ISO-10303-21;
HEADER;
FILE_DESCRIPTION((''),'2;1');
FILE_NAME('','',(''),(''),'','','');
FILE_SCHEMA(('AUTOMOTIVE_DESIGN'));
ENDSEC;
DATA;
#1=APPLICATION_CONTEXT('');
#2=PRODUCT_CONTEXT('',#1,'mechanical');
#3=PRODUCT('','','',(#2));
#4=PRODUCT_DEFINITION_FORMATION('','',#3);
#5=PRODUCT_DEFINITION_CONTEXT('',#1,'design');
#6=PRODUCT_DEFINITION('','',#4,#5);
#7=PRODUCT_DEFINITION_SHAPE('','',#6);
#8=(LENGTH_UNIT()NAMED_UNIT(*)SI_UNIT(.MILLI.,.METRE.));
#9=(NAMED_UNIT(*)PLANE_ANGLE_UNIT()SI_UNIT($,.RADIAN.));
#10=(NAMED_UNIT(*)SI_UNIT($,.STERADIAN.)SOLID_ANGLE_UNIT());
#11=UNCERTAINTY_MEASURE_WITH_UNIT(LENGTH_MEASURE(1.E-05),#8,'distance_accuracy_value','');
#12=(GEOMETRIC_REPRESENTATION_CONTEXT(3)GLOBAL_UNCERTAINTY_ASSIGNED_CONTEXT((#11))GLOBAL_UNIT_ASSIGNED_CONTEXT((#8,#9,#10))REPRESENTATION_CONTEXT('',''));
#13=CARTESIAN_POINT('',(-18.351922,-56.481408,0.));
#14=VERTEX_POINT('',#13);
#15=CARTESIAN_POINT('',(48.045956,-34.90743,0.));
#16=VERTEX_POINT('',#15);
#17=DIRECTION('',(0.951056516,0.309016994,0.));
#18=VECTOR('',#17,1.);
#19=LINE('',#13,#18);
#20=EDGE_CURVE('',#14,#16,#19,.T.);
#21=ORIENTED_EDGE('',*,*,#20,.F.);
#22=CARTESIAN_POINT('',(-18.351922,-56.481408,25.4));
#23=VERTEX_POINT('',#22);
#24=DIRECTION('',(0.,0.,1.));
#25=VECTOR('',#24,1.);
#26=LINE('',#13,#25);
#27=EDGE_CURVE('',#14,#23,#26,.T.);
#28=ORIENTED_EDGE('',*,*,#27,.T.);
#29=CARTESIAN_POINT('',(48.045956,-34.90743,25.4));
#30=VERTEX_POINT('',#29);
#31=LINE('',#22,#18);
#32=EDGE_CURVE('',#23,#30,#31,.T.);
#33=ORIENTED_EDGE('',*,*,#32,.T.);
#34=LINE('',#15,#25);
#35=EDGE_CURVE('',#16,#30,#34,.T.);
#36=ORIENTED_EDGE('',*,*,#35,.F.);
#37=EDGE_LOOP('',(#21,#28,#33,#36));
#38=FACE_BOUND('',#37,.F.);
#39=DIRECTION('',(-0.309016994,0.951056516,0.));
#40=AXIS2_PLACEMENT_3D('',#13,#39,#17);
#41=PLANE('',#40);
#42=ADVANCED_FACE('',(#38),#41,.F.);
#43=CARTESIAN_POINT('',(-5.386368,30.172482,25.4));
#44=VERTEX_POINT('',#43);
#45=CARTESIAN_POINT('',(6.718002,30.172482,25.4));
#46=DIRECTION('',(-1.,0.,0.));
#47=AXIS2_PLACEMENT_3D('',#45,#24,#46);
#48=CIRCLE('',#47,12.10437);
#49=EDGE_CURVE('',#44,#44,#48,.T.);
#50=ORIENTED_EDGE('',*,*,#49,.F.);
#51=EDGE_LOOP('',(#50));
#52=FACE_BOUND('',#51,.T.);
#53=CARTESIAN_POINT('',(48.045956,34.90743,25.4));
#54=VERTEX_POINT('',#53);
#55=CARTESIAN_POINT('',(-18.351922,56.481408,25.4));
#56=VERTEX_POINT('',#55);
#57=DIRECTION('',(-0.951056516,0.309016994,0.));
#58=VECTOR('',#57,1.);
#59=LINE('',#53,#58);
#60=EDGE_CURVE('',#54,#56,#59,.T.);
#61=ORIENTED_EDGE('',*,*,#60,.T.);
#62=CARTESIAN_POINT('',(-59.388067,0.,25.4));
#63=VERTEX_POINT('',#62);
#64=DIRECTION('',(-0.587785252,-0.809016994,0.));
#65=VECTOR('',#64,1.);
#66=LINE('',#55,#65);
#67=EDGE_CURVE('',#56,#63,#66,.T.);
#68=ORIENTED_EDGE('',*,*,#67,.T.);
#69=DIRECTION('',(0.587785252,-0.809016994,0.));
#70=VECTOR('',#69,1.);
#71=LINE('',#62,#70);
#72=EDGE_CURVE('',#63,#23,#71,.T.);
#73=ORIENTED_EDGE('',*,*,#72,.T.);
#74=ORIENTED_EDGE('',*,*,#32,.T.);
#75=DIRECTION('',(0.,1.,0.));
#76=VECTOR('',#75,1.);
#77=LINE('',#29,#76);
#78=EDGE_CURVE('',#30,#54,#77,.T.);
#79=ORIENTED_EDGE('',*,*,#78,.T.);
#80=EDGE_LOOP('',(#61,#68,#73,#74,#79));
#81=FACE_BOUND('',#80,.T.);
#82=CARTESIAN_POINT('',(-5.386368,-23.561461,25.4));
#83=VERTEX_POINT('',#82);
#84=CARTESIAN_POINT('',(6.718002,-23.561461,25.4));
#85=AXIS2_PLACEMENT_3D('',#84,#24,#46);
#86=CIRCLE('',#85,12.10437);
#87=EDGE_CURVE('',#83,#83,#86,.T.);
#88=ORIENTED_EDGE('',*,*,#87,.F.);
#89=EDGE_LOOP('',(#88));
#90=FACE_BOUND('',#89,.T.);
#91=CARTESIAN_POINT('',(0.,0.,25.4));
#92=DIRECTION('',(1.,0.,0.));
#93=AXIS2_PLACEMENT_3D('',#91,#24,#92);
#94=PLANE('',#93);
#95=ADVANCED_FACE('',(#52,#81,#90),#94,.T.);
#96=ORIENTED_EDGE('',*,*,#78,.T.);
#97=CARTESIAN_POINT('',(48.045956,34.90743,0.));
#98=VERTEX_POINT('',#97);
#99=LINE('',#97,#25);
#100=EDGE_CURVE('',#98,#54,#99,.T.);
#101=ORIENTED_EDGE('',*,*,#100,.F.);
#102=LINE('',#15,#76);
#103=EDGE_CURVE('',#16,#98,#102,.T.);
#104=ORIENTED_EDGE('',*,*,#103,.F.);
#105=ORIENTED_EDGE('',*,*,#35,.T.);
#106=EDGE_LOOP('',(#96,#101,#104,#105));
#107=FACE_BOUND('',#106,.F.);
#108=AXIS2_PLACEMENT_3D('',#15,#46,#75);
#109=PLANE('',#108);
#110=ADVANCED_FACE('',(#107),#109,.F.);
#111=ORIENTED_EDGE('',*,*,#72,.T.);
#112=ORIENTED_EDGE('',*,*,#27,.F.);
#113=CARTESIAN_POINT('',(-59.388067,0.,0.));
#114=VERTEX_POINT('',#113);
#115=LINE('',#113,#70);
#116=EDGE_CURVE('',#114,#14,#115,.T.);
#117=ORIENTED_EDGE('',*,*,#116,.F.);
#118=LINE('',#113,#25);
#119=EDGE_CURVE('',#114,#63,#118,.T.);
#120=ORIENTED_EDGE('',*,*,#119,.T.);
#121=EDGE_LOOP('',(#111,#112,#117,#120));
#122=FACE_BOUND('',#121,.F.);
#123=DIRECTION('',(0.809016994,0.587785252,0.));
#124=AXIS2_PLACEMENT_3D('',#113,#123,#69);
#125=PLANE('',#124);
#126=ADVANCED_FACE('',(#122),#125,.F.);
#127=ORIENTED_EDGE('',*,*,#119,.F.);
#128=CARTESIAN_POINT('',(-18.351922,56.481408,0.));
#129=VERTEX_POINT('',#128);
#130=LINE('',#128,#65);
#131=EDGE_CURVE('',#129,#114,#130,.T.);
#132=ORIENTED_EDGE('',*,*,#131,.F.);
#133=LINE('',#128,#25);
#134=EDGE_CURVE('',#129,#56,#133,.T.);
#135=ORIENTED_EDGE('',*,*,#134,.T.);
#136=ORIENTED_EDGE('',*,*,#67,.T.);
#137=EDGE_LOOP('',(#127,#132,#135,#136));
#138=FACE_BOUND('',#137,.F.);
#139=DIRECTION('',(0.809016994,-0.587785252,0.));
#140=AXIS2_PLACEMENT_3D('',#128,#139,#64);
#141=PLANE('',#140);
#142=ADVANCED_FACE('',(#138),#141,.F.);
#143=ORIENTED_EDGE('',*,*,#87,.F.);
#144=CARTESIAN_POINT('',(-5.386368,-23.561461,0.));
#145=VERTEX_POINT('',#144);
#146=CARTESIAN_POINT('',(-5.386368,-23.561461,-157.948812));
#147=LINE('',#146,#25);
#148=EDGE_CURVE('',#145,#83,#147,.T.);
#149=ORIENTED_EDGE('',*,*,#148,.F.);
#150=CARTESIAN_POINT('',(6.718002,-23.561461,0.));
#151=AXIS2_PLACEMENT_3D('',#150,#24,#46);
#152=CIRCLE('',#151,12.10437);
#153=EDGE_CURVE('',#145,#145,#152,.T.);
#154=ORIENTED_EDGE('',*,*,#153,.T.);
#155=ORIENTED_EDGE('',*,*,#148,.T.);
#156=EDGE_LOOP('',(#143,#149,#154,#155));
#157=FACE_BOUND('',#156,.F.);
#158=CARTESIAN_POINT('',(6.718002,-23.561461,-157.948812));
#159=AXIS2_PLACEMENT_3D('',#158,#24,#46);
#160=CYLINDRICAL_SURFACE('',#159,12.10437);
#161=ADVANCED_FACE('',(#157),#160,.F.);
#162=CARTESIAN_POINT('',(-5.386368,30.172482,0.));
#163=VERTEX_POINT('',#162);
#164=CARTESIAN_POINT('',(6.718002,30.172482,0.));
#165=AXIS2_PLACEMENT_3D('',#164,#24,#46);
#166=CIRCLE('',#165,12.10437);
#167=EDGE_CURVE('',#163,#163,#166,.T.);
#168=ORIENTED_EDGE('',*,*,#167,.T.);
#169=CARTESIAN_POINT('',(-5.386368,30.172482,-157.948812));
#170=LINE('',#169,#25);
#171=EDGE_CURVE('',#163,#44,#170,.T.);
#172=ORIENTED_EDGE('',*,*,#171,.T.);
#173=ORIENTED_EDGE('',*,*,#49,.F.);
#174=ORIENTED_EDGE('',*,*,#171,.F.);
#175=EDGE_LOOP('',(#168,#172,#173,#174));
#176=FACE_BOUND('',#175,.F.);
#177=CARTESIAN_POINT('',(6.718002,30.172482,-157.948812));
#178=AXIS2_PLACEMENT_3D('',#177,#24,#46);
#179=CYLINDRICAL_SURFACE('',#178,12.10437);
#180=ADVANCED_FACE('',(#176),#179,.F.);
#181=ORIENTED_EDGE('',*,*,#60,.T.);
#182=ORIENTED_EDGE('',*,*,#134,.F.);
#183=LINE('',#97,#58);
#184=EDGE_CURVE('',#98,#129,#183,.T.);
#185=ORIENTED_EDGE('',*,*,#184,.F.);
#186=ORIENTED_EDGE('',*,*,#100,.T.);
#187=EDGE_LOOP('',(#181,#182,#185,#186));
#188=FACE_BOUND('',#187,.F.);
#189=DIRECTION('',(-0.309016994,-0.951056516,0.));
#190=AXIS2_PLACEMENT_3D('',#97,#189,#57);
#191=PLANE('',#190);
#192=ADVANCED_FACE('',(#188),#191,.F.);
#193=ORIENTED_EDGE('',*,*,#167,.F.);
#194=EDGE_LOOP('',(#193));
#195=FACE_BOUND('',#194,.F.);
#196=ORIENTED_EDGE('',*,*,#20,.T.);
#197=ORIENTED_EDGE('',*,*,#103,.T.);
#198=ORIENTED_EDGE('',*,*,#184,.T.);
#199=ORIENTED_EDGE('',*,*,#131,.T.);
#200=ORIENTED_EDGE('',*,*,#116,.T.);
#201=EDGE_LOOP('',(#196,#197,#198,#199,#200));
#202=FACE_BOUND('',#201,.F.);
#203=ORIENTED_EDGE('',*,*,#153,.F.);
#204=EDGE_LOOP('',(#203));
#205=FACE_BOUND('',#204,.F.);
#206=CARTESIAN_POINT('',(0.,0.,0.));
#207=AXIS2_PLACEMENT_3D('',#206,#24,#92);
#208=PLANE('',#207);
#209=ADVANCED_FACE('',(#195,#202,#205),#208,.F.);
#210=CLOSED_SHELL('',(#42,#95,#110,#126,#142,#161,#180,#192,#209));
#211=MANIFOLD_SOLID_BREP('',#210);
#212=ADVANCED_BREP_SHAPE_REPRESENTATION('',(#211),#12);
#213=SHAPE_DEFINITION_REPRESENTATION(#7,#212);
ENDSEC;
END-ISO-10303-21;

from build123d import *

# Parameters (mm, degrees)
F1_DEPTH = 25.4
F3_D     = 24.20874


with BuildPart() as f1:
    # F0 (on Top) → F1 (new body)
    with BuildSketch(Plane.XY):
        Polygon((48.0459555984, -34.9074300409), (48.0459555984, 34.9074300409), (-18.3519220166, 56.481408266), (-59.3880671635, 0), (-18.3519220166, -56.481408266), align=None)
    extrude(amount=F1_DEPTH)

    # F3 (through all)
    with Locations(Plane(origin=(0, 0, 0), x_dir=(1, 0, 0), z_dir=(0, 0, -1))):
        with Locations((6.7180017941, 23.5614608973), (6.7180017941, -30.1724821329)):
            Hole(F3_D / 2)


solid = f1.part
